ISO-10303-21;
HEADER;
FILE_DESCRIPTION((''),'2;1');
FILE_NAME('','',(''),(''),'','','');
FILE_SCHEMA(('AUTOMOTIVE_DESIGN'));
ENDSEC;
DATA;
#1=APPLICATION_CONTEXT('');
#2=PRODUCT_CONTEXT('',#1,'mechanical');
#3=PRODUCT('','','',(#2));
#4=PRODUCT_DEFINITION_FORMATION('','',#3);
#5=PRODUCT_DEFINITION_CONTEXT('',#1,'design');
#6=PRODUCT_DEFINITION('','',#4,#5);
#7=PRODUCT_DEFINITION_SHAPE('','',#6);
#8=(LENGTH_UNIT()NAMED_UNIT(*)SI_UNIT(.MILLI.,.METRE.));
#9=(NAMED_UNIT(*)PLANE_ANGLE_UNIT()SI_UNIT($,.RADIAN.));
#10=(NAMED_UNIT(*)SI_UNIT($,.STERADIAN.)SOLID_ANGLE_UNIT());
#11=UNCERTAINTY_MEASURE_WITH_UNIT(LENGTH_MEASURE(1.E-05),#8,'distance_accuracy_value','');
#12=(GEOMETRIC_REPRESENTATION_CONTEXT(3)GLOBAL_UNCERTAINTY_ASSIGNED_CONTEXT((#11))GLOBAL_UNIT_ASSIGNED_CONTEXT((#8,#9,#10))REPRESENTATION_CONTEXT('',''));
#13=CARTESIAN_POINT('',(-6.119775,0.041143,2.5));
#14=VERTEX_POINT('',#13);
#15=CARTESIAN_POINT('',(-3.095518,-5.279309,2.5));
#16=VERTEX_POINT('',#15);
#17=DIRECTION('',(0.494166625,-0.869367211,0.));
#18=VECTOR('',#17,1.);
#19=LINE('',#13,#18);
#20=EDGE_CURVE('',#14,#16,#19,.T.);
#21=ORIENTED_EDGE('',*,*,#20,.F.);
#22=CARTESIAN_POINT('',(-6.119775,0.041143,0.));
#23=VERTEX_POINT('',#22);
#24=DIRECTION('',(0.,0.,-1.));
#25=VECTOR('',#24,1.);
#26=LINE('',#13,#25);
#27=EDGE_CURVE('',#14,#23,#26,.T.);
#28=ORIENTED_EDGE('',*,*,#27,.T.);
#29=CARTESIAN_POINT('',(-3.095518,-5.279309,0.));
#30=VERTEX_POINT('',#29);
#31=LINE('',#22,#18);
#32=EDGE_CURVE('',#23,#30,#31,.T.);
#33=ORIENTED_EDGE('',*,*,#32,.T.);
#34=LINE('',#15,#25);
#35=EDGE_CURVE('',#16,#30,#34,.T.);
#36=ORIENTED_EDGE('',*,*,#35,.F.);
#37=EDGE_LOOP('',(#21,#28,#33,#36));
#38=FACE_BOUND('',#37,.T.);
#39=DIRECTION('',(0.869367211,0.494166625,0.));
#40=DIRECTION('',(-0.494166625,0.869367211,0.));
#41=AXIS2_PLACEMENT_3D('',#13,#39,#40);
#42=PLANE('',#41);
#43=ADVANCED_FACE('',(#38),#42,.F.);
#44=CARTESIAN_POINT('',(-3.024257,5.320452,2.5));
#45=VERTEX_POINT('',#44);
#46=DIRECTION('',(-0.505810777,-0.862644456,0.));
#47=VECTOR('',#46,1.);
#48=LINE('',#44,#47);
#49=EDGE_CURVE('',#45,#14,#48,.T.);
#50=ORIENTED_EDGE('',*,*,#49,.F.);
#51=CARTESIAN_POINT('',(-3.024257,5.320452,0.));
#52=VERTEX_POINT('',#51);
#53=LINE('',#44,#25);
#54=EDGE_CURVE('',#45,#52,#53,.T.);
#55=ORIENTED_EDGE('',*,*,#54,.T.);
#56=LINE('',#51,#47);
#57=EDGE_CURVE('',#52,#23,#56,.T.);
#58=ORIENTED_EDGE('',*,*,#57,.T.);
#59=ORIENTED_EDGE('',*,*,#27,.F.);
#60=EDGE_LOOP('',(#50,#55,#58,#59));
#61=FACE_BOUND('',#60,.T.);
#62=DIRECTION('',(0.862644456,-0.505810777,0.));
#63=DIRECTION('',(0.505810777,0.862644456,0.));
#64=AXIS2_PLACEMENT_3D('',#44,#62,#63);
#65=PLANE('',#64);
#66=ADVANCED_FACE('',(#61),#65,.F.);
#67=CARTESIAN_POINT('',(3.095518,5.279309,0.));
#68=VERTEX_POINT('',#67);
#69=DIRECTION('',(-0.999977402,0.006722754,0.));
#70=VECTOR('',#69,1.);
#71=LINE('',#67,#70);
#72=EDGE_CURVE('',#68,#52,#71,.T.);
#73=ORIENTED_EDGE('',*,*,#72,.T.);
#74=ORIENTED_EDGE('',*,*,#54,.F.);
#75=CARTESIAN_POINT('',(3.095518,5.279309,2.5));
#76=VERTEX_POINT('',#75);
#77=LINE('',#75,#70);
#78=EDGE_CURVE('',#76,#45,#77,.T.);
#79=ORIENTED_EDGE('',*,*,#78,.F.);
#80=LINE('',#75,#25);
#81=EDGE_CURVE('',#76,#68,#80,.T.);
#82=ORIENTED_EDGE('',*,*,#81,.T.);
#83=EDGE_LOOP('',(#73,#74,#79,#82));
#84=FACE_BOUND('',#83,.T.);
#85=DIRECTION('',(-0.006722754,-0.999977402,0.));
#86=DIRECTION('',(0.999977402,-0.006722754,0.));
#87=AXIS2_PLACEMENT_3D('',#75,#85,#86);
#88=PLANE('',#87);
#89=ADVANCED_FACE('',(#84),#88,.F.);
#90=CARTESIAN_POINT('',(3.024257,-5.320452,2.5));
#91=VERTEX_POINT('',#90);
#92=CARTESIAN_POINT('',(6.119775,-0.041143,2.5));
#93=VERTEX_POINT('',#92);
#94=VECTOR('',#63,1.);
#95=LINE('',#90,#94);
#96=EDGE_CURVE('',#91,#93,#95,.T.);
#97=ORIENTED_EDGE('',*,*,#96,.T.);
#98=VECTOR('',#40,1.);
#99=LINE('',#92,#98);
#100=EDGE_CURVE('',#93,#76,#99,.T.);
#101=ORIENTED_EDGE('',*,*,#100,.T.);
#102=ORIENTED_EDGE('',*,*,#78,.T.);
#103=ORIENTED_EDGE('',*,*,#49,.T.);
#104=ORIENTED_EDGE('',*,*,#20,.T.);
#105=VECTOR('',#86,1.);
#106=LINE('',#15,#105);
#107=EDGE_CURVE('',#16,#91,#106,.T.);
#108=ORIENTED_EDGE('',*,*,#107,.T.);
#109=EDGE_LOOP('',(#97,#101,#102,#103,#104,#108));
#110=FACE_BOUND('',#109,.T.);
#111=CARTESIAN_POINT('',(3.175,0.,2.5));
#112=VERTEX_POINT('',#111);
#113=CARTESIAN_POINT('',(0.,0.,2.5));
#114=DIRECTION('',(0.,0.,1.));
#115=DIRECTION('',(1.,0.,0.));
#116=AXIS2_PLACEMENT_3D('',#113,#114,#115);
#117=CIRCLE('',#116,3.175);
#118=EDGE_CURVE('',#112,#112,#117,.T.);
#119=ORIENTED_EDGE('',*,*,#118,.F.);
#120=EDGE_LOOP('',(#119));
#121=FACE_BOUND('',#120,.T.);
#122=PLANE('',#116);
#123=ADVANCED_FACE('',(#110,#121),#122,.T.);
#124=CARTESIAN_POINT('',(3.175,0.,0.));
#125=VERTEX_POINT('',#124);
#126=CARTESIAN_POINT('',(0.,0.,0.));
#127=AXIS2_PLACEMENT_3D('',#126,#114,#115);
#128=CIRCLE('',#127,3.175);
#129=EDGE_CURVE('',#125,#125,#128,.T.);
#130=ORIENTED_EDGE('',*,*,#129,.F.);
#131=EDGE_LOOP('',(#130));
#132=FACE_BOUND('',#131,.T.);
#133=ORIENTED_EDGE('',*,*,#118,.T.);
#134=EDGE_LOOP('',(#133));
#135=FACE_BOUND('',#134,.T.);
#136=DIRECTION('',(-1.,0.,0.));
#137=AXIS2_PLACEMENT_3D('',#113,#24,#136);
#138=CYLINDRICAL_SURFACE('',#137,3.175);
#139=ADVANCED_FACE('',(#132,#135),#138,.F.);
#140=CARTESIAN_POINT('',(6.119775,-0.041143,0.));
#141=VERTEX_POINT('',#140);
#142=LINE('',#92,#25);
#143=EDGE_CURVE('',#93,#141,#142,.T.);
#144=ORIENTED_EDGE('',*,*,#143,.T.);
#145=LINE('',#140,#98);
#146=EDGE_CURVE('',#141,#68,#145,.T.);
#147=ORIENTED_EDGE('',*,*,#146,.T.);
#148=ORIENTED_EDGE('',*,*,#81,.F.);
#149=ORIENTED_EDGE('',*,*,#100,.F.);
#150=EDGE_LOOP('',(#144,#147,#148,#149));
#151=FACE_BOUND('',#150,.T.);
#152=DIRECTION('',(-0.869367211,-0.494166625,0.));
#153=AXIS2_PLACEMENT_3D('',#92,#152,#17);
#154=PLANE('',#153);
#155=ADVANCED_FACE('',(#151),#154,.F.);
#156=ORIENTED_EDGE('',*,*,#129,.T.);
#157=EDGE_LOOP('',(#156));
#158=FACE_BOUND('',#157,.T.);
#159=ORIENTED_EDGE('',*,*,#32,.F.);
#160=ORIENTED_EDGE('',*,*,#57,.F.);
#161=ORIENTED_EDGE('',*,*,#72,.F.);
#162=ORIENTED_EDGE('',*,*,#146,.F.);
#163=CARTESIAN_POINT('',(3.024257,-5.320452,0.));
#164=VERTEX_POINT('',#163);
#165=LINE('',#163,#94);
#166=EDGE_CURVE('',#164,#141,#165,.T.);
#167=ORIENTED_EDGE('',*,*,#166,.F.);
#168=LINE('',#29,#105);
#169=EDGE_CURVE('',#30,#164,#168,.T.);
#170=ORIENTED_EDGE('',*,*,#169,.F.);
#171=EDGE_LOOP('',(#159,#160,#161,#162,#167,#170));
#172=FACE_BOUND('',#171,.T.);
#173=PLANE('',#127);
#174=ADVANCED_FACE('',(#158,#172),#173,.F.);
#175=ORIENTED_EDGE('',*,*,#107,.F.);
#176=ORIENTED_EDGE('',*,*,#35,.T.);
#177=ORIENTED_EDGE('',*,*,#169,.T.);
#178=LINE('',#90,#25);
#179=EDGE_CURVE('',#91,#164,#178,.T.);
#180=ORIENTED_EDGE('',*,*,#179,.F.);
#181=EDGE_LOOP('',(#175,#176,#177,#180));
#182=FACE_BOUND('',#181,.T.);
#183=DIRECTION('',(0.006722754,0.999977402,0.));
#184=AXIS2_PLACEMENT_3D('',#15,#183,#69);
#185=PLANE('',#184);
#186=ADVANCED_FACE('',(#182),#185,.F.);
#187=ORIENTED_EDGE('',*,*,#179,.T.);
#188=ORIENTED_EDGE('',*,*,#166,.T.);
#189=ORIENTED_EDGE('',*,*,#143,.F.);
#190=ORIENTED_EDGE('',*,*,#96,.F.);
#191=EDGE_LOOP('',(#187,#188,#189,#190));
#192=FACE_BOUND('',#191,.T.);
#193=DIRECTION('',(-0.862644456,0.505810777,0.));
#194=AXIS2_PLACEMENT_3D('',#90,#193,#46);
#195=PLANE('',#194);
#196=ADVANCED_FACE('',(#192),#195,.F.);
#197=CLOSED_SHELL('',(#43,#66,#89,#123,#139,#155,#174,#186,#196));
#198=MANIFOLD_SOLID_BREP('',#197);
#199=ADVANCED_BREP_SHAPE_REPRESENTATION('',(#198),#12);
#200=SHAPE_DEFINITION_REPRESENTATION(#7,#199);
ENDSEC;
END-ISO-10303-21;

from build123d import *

# Parameters (mm, degrees)
SKETCH1_R           = 3.175
BOSS_EXTRUDE1_DEPTH = 2.5


with BuildPart() as part:
    # Sketch1 → Boss-Extrude1 (new body)
    with BuildSketch(Plane.XY):
        Polygon((3.02425668, -5.320451566), (6.119774556, -0.041142671), (3.095517876, 5.279308895), (-3.02425668, 5.320451566), (-6.119774556, 0.041142671), (-3.095517876, -5.279308895), align=None)
        Circle(SKETCH1_R, mode=Mode.SUBTRACT)
    extrude(amount=BOSS_EXTRUDE1_DEPTH)


solid = part.part
